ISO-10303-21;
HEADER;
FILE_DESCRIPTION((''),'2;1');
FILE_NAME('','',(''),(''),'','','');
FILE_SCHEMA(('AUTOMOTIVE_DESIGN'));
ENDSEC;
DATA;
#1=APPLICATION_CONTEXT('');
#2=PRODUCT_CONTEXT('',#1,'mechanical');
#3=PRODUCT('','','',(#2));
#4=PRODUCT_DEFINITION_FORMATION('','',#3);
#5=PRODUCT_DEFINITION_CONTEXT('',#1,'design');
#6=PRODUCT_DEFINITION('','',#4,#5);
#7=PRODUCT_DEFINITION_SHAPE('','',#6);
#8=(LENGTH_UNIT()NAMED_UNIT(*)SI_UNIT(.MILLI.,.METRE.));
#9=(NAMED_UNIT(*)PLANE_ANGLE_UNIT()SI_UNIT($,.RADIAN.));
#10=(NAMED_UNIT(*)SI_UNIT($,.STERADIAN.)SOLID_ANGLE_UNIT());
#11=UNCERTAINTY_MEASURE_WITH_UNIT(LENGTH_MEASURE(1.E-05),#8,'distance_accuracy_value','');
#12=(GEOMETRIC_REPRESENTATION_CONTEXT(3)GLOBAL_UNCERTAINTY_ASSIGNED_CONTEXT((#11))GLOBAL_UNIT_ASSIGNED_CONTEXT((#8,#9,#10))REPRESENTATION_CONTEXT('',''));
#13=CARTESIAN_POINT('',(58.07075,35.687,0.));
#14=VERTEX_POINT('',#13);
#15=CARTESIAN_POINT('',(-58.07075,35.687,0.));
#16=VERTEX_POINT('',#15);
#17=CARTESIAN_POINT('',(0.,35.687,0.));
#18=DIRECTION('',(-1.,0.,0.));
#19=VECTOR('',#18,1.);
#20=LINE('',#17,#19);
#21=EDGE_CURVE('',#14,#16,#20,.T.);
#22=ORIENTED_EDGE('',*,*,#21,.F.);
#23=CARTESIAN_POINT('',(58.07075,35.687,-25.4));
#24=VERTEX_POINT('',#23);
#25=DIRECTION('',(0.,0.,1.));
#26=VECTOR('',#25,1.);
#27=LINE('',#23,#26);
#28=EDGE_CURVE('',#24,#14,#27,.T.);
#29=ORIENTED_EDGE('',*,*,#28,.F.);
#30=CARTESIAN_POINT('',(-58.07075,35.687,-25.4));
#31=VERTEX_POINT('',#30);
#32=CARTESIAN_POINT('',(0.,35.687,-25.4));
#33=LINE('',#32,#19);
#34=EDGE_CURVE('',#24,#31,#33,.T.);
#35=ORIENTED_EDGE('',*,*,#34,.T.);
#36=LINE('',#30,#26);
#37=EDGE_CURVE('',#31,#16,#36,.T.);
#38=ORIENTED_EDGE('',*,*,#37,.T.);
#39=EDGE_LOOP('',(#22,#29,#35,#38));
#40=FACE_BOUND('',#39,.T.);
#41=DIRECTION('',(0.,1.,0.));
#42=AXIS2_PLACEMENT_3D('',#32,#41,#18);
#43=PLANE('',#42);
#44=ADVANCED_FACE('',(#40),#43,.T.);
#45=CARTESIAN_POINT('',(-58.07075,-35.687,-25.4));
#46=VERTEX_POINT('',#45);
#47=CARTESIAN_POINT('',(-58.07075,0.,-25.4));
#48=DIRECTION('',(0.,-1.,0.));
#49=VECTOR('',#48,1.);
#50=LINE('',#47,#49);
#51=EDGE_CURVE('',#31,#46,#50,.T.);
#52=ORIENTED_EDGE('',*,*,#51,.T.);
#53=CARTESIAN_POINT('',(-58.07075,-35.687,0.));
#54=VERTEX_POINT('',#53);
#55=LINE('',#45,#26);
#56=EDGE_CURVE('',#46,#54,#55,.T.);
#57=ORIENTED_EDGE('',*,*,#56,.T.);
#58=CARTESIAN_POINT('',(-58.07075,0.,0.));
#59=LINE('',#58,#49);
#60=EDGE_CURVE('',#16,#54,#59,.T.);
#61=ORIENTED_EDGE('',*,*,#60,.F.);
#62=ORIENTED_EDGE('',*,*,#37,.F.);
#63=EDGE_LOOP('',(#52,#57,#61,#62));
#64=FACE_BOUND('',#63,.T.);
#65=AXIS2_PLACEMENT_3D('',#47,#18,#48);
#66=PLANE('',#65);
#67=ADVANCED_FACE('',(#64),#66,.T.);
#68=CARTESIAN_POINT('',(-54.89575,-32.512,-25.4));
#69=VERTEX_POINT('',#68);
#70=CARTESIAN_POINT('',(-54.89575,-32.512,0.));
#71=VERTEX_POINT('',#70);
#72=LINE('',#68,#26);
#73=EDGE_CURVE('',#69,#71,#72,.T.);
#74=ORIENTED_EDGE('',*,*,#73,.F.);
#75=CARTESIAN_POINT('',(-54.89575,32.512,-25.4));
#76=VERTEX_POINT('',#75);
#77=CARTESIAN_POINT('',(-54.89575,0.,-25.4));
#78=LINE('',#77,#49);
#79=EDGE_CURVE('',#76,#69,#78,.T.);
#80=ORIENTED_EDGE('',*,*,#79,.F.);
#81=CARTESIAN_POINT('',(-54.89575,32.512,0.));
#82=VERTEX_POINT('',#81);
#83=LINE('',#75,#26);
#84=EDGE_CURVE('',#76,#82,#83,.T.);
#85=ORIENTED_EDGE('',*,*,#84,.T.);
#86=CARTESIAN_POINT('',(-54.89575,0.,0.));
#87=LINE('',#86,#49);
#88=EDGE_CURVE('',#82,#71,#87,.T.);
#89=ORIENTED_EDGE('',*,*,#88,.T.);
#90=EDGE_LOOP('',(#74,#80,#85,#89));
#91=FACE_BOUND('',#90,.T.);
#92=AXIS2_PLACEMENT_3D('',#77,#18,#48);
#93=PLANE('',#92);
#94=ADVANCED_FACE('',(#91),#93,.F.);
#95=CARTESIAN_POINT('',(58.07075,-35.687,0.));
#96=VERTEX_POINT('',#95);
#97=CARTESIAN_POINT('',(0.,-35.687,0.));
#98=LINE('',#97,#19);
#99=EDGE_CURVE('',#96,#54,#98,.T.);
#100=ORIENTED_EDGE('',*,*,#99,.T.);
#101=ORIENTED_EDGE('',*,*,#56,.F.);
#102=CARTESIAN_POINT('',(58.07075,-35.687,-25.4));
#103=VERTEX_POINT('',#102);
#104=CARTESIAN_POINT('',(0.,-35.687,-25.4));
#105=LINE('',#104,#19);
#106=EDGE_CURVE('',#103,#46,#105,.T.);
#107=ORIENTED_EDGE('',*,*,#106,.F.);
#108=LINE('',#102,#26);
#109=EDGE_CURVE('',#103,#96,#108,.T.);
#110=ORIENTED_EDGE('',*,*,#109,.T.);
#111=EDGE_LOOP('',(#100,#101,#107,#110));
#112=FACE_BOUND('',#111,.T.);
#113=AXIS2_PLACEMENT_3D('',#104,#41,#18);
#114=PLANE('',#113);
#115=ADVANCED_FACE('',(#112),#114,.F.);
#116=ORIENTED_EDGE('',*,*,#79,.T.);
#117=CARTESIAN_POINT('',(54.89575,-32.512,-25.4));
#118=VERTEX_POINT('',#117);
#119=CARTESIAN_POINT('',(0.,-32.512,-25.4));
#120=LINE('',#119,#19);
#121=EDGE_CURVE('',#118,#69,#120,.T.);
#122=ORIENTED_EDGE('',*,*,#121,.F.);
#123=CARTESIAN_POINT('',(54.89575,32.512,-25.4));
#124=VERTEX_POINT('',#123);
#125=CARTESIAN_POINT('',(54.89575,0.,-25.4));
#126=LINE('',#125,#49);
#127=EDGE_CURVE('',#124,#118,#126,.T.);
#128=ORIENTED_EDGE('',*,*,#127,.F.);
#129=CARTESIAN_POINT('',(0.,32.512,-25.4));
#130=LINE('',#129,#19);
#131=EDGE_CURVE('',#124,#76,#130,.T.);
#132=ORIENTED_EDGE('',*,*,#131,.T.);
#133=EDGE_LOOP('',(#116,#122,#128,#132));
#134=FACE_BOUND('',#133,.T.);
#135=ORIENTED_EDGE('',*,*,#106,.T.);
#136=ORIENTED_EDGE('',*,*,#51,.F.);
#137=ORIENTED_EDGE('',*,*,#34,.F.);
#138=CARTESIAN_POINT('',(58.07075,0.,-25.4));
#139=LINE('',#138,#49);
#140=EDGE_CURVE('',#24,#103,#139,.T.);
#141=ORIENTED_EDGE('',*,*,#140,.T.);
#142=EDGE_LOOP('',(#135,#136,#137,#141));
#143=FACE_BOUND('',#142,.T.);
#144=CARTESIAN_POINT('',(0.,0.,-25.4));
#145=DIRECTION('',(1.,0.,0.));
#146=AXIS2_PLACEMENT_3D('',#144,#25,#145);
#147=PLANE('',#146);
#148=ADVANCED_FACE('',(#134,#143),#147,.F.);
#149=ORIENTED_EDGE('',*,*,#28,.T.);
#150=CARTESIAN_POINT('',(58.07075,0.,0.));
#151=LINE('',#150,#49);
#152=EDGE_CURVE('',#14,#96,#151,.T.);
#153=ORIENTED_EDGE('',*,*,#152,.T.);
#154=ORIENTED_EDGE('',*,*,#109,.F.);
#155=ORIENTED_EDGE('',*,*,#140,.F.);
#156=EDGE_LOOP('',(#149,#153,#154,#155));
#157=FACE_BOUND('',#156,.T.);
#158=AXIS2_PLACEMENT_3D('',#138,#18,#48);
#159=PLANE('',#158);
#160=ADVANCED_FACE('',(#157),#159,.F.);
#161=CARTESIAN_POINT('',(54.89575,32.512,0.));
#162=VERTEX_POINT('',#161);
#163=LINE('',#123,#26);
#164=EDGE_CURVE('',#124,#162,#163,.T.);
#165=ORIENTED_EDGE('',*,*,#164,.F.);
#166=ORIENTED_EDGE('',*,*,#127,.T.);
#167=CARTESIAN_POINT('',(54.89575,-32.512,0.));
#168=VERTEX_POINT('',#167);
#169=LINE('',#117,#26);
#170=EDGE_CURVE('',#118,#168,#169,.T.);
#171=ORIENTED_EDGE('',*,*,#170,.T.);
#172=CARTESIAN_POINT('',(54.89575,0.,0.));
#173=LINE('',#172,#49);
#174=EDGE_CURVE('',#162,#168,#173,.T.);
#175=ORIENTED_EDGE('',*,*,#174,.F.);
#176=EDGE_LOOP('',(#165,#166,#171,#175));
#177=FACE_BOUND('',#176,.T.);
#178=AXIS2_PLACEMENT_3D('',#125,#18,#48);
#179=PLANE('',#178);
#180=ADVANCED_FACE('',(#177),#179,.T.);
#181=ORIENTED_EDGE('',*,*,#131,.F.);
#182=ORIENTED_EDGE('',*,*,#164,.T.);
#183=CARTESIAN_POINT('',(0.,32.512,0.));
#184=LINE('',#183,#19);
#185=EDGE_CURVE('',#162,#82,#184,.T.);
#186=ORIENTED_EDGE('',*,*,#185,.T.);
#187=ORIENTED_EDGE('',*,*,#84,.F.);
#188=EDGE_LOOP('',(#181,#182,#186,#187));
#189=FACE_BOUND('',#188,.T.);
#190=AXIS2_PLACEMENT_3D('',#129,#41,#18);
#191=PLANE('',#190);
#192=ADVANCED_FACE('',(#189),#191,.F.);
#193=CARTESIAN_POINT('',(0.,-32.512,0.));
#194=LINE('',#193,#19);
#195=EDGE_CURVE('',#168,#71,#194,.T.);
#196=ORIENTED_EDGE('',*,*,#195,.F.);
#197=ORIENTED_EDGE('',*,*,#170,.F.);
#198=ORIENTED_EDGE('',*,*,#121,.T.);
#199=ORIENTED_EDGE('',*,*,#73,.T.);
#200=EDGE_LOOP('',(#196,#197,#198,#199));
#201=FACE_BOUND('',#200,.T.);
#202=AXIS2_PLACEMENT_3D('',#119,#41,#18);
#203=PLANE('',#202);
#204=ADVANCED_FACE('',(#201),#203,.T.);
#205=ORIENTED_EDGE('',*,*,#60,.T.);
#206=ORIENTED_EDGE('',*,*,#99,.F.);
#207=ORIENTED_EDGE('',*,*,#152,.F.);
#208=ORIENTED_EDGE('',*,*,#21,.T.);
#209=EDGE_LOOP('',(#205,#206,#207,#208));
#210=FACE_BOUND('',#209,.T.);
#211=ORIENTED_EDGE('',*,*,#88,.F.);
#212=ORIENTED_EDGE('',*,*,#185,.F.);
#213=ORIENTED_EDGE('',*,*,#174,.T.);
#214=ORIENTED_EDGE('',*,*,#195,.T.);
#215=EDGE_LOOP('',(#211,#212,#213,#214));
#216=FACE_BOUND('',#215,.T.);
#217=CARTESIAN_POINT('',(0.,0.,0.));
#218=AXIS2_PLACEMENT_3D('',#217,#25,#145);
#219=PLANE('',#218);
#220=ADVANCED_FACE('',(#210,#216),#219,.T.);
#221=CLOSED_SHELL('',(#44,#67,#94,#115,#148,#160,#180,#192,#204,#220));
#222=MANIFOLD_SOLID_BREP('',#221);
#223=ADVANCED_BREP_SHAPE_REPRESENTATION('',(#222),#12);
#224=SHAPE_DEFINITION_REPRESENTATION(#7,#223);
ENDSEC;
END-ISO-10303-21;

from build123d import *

# Parameters (mm, degrees)
SKETCH2_W           = 116.1415
SKETCH2_H           = 71.374
SKETCH2_W_2         = 109.7915
SKETCH2_H_2         = 65.024
BOSS_EXTRUDE1_DEPTH = 25.4


with BuildPart() as part:
    # Sketch2 → Boss-Extrude1 (new body)
    with BuildSketch(Plane.XY):
        Rectangle(SKETCH2_W, SKETCH2_H)
        Rectangle(SKETCH2_W_2, SKETCH2_H_2, mode=Mode.SUBTRACT)
    extrude(amount=-BOSS_EXTRUDE1_DEPTH)


solid = part.part
